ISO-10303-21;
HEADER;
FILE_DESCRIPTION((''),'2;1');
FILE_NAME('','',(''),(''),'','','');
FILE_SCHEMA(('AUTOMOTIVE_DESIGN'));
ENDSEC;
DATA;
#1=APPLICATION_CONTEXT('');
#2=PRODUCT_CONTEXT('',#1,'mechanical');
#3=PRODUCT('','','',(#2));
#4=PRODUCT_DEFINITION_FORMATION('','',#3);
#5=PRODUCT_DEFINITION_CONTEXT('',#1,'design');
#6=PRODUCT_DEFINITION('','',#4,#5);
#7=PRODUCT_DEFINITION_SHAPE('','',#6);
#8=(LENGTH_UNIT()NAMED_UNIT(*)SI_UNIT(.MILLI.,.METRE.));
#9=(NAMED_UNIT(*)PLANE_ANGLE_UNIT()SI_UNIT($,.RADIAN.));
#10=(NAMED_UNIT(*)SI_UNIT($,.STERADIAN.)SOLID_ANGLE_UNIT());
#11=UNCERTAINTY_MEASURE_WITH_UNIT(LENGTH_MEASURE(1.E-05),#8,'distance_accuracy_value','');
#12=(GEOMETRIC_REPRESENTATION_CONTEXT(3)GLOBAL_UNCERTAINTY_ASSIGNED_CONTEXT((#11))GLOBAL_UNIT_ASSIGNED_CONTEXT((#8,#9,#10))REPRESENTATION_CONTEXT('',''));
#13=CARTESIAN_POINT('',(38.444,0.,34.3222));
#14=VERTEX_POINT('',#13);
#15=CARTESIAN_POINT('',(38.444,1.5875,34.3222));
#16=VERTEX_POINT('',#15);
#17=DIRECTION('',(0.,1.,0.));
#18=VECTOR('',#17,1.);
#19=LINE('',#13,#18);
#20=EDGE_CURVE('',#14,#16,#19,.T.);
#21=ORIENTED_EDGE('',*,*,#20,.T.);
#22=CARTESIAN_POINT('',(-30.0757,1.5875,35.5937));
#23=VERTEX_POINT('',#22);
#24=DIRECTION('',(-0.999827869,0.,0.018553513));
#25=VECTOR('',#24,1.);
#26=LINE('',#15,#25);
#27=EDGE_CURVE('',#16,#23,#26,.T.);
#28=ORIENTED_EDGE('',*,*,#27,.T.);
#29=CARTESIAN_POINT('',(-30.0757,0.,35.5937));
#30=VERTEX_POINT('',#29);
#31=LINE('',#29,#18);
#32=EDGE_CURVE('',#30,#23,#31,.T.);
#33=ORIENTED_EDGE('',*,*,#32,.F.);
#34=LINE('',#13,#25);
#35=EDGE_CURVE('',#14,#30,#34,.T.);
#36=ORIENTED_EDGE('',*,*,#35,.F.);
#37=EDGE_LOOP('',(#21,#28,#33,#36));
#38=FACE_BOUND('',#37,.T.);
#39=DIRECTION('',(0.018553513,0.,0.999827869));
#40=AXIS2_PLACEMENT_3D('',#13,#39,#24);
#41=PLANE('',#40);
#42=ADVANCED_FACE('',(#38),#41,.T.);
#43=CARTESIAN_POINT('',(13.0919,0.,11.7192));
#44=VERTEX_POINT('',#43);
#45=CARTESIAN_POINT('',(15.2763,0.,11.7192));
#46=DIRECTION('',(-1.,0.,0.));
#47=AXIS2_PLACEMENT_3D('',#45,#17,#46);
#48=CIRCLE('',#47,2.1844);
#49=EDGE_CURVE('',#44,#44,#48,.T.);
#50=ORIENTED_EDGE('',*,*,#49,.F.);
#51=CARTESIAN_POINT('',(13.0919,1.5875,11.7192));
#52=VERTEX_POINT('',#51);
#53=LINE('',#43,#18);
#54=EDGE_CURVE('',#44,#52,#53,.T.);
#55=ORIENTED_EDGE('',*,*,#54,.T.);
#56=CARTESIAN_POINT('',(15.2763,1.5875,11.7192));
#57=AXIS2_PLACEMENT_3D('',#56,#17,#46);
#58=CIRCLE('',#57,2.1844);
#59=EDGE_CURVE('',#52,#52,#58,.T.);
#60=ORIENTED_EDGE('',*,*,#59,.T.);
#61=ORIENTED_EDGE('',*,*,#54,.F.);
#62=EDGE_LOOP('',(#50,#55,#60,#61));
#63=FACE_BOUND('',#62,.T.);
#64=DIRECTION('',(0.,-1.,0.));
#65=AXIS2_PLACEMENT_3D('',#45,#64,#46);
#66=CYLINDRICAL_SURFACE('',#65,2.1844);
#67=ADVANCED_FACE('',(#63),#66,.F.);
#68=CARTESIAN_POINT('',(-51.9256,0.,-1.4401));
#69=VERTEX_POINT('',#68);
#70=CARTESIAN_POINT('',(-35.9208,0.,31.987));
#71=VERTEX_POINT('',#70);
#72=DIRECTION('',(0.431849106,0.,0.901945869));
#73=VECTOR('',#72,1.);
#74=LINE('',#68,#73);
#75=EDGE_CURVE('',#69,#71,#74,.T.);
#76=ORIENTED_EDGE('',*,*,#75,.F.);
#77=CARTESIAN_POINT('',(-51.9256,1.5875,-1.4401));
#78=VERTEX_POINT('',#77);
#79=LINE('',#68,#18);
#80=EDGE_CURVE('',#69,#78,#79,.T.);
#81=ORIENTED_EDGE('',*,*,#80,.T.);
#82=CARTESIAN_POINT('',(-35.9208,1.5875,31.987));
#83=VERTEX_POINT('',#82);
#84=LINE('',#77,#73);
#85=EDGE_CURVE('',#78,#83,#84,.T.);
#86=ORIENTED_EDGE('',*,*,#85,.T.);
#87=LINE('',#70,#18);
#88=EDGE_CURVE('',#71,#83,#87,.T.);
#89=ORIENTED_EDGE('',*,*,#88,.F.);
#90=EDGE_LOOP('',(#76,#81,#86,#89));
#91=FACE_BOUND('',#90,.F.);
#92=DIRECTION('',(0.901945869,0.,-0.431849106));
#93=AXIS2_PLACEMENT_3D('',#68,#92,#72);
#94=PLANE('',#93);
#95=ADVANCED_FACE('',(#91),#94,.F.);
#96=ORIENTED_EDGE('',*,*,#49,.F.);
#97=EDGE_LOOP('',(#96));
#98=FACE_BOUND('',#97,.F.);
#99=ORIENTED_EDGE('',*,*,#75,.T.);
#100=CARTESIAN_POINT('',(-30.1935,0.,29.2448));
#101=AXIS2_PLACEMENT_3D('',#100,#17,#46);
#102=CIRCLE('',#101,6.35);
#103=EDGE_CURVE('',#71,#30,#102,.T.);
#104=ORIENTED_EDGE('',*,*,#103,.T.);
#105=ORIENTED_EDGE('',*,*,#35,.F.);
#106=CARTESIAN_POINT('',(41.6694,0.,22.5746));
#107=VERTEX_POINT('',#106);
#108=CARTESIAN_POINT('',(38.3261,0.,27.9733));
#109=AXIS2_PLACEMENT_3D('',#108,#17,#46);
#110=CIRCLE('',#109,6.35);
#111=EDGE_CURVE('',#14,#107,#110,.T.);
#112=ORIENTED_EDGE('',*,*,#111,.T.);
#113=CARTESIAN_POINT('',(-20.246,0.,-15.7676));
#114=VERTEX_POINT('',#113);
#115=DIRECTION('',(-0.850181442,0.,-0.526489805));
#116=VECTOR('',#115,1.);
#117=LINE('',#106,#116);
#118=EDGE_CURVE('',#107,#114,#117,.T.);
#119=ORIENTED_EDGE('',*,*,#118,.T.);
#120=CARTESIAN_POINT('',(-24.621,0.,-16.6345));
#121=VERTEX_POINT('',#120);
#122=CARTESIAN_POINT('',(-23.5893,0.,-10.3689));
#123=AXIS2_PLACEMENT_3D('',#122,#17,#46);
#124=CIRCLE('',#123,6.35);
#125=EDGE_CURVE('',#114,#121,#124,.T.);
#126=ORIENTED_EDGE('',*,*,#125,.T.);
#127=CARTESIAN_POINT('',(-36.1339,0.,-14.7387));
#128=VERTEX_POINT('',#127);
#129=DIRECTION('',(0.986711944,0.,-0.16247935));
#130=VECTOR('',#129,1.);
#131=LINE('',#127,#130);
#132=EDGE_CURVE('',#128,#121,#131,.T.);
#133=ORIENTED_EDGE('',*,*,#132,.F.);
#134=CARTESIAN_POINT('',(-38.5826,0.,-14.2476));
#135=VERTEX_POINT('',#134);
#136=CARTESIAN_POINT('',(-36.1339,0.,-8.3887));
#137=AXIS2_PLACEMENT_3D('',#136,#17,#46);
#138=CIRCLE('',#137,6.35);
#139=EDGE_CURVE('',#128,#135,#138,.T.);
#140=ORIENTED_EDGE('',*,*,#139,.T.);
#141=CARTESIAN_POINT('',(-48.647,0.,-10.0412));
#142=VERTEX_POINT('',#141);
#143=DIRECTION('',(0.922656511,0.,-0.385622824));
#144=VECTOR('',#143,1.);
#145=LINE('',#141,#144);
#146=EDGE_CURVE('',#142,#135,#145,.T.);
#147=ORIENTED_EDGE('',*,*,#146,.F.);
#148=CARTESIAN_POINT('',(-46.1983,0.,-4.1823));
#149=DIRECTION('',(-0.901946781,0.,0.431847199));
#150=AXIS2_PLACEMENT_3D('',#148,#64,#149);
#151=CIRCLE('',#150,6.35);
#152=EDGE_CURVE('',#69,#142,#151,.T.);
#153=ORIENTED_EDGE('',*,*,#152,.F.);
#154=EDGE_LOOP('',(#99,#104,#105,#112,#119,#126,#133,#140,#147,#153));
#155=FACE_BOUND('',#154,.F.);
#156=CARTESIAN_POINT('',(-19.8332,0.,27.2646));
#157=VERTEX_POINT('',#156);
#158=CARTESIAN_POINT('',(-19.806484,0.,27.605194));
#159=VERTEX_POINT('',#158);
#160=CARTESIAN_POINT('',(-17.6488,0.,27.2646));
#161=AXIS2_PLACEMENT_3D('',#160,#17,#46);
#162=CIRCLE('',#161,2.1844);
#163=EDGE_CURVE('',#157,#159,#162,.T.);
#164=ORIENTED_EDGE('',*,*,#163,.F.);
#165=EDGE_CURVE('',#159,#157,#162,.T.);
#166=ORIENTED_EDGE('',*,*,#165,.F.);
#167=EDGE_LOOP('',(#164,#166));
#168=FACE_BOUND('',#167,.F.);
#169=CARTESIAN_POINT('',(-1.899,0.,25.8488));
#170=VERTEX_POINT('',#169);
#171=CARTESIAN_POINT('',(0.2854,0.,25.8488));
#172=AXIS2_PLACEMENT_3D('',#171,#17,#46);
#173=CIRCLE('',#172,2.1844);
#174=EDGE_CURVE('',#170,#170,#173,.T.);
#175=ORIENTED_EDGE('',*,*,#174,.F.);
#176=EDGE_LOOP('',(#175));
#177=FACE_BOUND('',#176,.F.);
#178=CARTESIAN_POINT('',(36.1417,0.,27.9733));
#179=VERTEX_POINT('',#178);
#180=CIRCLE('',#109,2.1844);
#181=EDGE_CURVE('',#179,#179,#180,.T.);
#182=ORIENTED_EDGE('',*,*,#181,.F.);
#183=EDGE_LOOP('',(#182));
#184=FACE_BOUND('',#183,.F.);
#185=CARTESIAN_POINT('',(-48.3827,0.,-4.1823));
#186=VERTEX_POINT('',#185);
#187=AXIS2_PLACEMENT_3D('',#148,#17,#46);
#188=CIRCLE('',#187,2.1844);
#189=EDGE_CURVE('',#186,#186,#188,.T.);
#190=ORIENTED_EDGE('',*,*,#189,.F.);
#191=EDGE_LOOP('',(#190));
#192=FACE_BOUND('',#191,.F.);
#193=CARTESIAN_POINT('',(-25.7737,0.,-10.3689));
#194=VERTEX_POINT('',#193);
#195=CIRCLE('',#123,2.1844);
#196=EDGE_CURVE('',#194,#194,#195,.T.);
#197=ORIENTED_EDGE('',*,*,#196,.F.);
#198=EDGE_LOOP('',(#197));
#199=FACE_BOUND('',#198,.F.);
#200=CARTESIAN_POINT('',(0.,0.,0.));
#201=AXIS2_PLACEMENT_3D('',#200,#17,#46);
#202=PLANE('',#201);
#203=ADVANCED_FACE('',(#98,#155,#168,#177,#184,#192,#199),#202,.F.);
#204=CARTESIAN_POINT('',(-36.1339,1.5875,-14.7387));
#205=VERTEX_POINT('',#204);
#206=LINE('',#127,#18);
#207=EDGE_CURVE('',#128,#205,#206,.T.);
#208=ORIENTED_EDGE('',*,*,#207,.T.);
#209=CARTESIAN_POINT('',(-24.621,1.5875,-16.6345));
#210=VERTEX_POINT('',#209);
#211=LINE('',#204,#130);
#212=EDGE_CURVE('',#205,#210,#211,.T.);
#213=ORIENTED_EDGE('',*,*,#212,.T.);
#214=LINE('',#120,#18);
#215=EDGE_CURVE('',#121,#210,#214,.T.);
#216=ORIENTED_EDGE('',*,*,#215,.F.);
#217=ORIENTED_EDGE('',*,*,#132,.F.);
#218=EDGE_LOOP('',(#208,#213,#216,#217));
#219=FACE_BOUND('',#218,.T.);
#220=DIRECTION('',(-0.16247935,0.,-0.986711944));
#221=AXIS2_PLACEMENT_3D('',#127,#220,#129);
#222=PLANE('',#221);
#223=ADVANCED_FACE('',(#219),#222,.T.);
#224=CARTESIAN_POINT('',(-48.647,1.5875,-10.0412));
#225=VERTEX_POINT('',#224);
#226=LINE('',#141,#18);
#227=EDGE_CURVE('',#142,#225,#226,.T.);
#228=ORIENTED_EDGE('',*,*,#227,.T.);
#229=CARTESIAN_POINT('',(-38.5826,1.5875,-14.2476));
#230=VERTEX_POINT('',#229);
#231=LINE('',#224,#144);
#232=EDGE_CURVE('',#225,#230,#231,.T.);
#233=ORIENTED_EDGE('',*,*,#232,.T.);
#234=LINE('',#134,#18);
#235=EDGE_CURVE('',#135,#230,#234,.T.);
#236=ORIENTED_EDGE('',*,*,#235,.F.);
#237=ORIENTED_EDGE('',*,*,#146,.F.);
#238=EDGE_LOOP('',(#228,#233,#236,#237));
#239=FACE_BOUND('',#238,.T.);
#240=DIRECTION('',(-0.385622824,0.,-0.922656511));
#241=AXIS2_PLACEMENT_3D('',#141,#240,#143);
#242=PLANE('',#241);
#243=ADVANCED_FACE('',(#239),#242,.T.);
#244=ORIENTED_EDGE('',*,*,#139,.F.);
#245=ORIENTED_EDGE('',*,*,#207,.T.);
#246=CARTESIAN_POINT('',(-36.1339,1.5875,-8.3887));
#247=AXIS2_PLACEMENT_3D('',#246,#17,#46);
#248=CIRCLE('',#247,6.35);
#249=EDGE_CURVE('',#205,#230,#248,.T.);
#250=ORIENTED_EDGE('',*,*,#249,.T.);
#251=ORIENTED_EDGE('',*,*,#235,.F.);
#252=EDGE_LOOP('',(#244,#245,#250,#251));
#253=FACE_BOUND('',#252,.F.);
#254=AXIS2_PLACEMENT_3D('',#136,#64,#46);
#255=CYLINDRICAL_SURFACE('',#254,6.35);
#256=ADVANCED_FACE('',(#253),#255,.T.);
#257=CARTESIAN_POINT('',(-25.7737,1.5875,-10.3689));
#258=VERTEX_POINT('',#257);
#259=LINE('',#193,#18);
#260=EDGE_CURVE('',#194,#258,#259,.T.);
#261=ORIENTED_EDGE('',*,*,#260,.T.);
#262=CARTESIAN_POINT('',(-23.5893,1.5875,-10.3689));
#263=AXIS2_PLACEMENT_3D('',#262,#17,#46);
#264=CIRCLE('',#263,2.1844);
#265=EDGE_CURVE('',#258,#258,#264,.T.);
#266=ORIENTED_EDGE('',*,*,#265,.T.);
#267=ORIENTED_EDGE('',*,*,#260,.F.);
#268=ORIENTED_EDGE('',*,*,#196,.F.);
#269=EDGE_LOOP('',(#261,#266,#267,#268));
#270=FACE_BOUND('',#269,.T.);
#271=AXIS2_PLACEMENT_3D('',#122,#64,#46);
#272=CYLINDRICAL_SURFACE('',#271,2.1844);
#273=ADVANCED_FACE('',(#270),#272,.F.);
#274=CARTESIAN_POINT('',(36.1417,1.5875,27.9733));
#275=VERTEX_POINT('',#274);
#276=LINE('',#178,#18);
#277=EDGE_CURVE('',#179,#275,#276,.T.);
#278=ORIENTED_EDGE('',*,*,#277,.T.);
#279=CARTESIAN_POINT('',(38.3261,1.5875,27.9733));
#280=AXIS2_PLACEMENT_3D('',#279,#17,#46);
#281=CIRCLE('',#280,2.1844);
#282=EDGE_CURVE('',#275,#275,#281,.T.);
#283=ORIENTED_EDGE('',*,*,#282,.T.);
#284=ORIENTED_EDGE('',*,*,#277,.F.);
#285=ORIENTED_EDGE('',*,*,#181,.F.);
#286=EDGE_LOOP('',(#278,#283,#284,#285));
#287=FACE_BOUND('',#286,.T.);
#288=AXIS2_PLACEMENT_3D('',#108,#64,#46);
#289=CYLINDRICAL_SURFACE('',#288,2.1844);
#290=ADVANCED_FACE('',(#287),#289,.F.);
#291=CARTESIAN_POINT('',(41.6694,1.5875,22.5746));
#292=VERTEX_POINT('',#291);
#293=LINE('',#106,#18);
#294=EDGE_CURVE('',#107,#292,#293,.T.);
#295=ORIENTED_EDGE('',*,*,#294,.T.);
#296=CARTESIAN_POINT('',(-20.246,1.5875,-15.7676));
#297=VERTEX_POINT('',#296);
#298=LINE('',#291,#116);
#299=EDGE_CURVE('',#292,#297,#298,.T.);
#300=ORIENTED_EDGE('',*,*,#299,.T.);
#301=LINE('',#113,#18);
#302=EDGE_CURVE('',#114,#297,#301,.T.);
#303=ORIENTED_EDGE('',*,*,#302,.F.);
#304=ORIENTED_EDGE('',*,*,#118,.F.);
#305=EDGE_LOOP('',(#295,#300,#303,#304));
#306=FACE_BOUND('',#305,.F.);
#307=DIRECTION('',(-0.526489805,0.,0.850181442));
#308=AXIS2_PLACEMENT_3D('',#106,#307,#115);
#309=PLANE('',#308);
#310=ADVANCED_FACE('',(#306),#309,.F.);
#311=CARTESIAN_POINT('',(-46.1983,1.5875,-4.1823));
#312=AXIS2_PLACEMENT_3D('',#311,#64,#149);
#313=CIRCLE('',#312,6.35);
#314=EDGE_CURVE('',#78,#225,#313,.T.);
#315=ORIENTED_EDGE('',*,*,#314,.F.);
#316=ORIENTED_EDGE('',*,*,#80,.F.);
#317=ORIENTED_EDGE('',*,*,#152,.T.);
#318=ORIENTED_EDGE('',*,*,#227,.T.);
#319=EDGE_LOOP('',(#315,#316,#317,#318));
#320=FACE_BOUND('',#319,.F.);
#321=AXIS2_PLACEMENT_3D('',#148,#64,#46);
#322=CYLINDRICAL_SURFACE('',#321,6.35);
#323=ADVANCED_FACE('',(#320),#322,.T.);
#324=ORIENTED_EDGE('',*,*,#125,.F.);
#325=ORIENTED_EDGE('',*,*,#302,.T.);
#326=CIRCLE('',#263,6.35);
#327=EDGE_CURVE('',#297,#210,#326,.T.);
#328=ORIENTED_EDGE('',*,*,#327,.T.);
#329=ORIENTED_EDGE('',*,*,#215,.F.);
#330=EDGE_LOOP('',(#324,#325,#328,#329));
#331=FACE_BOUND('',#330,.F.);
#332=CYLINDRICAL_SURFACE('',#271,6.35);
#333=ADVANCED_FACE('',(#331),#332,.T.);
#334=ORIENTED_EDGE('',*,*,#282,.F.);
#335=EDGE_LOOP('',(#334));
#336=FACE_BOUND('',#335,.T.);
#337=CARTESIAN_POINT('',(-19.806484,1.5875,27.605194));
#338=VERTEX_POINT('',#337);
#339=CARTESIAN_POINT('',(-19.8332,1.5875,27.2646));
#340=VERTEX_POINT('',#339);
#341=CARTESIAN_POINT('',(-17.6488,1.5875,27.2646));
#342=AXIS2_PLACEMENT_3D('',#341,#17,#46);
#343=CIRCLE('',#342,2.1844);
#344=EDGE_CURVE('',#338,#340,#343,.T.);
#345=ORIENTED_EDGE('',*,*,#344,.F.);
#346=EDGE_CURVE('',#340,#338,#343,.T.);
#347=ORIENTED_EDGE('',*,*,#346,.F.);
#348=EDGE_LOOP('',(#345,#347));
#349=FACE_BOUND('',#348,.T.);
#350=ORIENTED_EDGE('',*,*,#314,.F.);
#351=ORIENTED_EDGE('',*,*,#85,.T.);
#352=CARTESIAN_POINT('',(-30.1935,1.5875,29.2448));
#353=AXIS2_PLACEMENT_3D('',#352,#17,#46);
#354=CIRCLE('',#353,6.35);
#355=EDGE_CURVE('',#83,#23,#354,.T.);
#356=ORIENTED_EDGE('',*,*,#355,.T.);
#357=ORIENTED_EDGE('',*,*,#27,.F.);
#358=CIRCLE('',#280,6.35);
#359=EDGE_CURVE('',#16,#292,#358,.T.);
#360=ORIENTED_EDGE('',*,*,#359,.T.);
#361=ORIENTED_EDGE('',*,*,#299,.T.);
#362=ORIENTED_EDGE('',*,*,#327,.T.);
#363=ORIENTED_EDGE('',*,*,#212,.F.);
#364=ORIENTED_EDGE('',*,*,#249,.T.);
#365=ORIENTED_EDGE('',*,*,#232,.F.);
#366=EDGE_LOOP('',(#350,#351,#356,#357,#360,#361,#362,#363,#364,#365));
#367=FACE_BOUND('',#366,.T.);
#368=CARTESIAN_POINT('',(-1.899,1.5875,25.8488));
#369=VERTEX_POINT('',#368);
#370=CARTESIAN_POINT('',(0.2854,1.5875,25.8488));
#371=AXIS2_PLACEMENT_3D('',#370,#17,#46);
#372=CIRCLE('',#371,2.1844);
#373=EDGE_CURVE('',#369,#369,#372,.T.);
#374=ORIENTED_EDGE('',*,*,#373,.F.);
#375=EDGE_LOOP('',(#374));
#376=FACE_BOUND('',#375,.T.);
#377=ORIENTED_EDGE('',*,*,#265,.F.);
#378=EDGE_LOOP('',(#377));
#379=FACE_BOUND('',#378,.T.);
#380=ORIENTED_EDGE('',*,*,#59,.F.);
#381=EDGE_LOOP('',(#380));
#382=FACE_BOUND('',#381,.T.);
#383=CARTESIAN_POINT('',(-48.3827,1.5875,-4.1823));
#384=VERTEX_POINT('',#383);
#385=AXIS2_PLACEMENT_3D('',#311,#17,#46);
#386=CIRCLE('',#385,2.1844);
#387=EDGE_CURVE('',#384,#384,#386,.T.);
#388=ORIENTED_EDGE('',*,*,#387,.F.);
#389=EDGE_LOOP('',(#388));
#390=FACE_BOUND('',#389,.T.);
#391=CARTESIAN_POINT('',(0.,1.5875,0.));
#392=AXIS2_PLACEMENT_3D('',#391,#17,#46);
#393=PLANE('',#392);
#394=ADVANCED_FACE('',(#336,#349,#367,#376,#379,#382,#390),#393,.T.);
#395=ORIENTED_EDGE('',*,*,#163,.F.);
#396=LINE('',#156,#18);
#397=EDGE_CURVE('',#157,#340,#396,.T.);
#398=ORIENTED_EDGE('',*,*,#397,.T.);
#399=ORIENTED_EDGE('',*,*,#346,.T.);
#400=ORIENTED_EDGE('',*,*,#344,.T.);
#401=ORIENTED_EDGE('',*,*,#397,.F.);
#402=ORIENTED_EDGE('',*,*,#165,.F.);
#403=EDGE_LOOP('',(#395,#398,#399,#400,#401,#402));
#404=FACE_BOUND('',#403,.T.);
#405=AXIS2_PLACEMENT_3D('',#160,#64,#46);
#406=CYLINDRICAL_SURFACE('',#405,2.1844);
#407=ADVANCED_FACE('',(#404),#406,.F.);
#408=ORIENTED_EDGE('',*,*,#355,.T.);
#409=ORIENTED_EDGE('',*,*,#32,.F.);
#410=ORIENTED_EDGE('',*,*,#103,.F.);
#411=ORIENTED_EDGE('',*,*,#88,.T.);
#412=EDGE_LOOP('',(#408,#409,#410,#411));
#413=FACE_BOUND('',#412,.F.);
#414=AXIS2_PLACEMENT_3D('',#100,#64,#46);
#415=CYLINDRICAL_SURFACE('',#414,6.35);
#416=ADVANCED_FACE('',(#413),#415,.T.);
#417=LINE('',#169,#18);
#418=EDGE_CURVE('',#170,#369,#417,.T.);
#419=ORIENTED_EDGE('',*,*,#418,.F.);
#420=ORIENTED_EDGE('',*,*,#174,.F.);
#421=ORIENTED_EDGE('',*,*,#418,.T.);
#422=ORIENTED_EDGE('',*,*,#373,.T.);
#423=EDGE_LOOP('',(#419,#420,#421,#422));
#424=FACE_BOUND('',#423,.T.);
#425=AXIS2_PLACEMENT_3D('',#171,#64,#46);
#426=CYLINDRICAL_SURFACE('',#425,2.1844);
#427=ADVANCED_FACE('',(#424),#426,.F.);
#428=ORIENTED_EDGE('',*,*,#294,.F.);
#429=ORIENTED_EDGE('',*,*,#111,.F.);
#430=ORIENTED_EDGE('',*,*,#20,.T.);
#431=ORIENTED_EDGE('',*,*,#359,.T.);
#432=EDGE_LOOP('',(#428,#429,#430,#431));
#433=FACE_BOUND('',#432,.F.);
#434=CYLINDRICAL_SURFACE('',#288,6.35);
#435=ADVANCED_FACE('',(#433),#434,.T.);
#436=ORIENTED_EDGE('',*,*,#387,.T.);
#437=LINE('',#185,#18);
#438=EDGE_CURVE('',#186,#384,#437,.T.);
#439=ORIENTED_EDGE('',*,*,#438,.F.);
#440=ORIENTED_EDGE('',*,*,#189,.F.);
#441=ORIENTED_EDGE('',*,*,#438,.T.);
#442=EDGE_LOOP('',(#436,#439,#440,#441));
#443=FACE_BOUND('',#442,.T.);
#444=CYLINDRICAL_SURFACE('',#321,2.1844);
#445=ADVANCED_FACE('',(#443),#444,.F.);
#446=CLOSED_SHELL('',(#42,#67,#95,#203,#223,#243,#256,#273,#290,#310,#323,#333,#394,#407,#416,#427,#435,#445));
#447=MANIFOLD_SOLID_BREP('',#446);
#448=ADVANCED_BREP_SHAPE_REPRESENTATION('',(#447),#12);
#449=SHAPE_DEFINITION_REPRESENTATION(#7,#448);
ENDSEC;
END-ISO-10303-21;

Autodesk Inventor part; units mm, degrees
ref_plane "YZ Plane" through (0, 0, 0) normal (1, 0, 0) x (0, 1, 0)
ref_plane "XZ Plane" through (0, 0, 0) normal (0, 1, 0) x (-1, 0, 0)
ref_plane "XY Plane" through (0, 0, 0) normal (0, 0, 1) x (1, 0, 0)
sketch "Sketch1" plane through (0, 0, 0) normal (0, 1, 0) x (-1, 0, 0)
  circle A0 centre (-15.2763, 11.7192) radius 2.1844
  circle A1 centre (46.1983, -4.1823) radius 2.1844
  circle A2 centre (-0.2854, 25.8488) radius 2.1844
  circle A3 centre (17.6488, 27.2646) radius 2.1844
  circle A4 centre (23.5893, -10.3689) radius 2.1844
  circle A5 centre (-38.3261, 27.9733) radius 2.1844
  circle A6 centre (-38.3261, 27.9733) radius 6.35
  circle A7 centre (23.5893, -10.3689) radius 6.35
  line L0 (-41.6694, 22.5746) -> (20.246, -15.7676)
  circle A8 centre (46.1983, -4.1823) radius 6.35
  line L1 (17.6488, 27.2646) -> (30.1935, 29.2448)
  circle A9 centre (36.1339, -8.3887) radius 6.35
  line L2 (48.647, -10.0412) -> (38.5826, -14.2476)
  line L3 (36.1339, -14.7387) -> (24.621, -16.6345)
  circle A10 centre (30.1935, 29.2448) radius 6.35
  line L4 (51.9256, -1.4401) -> (35.9208, 31.987)
  line L5 (-38.444, 34.3222) -> (30.0757, 35.5937)
  point P0 (0, 0)
  point P1 (17.7292, 33.6141)
  point P2 (-38.2458, 34.3228)
  point P3 (21.7554, 32.108)
  point P4 (24.1332, -16.6956)
  point P5 (50.8998, 0.086)
  point P6 (22.3503, 31.5329)
  point P7 (47.8742, -10.3072)
  point P8 (25.2652, -16.4937)
  dimension "d0" = 12.7
  dimension "d1" = 12.7
  dimension "d10" = 12.7
  dimension "d11" = 12.7
  dimension "d12" = 12.7
  dimension "d13" = 12.7
extrude "Extrusion1" add sketch "Sketch1" along normal blind 1.5875
properties part number "newsidepolytest2"
